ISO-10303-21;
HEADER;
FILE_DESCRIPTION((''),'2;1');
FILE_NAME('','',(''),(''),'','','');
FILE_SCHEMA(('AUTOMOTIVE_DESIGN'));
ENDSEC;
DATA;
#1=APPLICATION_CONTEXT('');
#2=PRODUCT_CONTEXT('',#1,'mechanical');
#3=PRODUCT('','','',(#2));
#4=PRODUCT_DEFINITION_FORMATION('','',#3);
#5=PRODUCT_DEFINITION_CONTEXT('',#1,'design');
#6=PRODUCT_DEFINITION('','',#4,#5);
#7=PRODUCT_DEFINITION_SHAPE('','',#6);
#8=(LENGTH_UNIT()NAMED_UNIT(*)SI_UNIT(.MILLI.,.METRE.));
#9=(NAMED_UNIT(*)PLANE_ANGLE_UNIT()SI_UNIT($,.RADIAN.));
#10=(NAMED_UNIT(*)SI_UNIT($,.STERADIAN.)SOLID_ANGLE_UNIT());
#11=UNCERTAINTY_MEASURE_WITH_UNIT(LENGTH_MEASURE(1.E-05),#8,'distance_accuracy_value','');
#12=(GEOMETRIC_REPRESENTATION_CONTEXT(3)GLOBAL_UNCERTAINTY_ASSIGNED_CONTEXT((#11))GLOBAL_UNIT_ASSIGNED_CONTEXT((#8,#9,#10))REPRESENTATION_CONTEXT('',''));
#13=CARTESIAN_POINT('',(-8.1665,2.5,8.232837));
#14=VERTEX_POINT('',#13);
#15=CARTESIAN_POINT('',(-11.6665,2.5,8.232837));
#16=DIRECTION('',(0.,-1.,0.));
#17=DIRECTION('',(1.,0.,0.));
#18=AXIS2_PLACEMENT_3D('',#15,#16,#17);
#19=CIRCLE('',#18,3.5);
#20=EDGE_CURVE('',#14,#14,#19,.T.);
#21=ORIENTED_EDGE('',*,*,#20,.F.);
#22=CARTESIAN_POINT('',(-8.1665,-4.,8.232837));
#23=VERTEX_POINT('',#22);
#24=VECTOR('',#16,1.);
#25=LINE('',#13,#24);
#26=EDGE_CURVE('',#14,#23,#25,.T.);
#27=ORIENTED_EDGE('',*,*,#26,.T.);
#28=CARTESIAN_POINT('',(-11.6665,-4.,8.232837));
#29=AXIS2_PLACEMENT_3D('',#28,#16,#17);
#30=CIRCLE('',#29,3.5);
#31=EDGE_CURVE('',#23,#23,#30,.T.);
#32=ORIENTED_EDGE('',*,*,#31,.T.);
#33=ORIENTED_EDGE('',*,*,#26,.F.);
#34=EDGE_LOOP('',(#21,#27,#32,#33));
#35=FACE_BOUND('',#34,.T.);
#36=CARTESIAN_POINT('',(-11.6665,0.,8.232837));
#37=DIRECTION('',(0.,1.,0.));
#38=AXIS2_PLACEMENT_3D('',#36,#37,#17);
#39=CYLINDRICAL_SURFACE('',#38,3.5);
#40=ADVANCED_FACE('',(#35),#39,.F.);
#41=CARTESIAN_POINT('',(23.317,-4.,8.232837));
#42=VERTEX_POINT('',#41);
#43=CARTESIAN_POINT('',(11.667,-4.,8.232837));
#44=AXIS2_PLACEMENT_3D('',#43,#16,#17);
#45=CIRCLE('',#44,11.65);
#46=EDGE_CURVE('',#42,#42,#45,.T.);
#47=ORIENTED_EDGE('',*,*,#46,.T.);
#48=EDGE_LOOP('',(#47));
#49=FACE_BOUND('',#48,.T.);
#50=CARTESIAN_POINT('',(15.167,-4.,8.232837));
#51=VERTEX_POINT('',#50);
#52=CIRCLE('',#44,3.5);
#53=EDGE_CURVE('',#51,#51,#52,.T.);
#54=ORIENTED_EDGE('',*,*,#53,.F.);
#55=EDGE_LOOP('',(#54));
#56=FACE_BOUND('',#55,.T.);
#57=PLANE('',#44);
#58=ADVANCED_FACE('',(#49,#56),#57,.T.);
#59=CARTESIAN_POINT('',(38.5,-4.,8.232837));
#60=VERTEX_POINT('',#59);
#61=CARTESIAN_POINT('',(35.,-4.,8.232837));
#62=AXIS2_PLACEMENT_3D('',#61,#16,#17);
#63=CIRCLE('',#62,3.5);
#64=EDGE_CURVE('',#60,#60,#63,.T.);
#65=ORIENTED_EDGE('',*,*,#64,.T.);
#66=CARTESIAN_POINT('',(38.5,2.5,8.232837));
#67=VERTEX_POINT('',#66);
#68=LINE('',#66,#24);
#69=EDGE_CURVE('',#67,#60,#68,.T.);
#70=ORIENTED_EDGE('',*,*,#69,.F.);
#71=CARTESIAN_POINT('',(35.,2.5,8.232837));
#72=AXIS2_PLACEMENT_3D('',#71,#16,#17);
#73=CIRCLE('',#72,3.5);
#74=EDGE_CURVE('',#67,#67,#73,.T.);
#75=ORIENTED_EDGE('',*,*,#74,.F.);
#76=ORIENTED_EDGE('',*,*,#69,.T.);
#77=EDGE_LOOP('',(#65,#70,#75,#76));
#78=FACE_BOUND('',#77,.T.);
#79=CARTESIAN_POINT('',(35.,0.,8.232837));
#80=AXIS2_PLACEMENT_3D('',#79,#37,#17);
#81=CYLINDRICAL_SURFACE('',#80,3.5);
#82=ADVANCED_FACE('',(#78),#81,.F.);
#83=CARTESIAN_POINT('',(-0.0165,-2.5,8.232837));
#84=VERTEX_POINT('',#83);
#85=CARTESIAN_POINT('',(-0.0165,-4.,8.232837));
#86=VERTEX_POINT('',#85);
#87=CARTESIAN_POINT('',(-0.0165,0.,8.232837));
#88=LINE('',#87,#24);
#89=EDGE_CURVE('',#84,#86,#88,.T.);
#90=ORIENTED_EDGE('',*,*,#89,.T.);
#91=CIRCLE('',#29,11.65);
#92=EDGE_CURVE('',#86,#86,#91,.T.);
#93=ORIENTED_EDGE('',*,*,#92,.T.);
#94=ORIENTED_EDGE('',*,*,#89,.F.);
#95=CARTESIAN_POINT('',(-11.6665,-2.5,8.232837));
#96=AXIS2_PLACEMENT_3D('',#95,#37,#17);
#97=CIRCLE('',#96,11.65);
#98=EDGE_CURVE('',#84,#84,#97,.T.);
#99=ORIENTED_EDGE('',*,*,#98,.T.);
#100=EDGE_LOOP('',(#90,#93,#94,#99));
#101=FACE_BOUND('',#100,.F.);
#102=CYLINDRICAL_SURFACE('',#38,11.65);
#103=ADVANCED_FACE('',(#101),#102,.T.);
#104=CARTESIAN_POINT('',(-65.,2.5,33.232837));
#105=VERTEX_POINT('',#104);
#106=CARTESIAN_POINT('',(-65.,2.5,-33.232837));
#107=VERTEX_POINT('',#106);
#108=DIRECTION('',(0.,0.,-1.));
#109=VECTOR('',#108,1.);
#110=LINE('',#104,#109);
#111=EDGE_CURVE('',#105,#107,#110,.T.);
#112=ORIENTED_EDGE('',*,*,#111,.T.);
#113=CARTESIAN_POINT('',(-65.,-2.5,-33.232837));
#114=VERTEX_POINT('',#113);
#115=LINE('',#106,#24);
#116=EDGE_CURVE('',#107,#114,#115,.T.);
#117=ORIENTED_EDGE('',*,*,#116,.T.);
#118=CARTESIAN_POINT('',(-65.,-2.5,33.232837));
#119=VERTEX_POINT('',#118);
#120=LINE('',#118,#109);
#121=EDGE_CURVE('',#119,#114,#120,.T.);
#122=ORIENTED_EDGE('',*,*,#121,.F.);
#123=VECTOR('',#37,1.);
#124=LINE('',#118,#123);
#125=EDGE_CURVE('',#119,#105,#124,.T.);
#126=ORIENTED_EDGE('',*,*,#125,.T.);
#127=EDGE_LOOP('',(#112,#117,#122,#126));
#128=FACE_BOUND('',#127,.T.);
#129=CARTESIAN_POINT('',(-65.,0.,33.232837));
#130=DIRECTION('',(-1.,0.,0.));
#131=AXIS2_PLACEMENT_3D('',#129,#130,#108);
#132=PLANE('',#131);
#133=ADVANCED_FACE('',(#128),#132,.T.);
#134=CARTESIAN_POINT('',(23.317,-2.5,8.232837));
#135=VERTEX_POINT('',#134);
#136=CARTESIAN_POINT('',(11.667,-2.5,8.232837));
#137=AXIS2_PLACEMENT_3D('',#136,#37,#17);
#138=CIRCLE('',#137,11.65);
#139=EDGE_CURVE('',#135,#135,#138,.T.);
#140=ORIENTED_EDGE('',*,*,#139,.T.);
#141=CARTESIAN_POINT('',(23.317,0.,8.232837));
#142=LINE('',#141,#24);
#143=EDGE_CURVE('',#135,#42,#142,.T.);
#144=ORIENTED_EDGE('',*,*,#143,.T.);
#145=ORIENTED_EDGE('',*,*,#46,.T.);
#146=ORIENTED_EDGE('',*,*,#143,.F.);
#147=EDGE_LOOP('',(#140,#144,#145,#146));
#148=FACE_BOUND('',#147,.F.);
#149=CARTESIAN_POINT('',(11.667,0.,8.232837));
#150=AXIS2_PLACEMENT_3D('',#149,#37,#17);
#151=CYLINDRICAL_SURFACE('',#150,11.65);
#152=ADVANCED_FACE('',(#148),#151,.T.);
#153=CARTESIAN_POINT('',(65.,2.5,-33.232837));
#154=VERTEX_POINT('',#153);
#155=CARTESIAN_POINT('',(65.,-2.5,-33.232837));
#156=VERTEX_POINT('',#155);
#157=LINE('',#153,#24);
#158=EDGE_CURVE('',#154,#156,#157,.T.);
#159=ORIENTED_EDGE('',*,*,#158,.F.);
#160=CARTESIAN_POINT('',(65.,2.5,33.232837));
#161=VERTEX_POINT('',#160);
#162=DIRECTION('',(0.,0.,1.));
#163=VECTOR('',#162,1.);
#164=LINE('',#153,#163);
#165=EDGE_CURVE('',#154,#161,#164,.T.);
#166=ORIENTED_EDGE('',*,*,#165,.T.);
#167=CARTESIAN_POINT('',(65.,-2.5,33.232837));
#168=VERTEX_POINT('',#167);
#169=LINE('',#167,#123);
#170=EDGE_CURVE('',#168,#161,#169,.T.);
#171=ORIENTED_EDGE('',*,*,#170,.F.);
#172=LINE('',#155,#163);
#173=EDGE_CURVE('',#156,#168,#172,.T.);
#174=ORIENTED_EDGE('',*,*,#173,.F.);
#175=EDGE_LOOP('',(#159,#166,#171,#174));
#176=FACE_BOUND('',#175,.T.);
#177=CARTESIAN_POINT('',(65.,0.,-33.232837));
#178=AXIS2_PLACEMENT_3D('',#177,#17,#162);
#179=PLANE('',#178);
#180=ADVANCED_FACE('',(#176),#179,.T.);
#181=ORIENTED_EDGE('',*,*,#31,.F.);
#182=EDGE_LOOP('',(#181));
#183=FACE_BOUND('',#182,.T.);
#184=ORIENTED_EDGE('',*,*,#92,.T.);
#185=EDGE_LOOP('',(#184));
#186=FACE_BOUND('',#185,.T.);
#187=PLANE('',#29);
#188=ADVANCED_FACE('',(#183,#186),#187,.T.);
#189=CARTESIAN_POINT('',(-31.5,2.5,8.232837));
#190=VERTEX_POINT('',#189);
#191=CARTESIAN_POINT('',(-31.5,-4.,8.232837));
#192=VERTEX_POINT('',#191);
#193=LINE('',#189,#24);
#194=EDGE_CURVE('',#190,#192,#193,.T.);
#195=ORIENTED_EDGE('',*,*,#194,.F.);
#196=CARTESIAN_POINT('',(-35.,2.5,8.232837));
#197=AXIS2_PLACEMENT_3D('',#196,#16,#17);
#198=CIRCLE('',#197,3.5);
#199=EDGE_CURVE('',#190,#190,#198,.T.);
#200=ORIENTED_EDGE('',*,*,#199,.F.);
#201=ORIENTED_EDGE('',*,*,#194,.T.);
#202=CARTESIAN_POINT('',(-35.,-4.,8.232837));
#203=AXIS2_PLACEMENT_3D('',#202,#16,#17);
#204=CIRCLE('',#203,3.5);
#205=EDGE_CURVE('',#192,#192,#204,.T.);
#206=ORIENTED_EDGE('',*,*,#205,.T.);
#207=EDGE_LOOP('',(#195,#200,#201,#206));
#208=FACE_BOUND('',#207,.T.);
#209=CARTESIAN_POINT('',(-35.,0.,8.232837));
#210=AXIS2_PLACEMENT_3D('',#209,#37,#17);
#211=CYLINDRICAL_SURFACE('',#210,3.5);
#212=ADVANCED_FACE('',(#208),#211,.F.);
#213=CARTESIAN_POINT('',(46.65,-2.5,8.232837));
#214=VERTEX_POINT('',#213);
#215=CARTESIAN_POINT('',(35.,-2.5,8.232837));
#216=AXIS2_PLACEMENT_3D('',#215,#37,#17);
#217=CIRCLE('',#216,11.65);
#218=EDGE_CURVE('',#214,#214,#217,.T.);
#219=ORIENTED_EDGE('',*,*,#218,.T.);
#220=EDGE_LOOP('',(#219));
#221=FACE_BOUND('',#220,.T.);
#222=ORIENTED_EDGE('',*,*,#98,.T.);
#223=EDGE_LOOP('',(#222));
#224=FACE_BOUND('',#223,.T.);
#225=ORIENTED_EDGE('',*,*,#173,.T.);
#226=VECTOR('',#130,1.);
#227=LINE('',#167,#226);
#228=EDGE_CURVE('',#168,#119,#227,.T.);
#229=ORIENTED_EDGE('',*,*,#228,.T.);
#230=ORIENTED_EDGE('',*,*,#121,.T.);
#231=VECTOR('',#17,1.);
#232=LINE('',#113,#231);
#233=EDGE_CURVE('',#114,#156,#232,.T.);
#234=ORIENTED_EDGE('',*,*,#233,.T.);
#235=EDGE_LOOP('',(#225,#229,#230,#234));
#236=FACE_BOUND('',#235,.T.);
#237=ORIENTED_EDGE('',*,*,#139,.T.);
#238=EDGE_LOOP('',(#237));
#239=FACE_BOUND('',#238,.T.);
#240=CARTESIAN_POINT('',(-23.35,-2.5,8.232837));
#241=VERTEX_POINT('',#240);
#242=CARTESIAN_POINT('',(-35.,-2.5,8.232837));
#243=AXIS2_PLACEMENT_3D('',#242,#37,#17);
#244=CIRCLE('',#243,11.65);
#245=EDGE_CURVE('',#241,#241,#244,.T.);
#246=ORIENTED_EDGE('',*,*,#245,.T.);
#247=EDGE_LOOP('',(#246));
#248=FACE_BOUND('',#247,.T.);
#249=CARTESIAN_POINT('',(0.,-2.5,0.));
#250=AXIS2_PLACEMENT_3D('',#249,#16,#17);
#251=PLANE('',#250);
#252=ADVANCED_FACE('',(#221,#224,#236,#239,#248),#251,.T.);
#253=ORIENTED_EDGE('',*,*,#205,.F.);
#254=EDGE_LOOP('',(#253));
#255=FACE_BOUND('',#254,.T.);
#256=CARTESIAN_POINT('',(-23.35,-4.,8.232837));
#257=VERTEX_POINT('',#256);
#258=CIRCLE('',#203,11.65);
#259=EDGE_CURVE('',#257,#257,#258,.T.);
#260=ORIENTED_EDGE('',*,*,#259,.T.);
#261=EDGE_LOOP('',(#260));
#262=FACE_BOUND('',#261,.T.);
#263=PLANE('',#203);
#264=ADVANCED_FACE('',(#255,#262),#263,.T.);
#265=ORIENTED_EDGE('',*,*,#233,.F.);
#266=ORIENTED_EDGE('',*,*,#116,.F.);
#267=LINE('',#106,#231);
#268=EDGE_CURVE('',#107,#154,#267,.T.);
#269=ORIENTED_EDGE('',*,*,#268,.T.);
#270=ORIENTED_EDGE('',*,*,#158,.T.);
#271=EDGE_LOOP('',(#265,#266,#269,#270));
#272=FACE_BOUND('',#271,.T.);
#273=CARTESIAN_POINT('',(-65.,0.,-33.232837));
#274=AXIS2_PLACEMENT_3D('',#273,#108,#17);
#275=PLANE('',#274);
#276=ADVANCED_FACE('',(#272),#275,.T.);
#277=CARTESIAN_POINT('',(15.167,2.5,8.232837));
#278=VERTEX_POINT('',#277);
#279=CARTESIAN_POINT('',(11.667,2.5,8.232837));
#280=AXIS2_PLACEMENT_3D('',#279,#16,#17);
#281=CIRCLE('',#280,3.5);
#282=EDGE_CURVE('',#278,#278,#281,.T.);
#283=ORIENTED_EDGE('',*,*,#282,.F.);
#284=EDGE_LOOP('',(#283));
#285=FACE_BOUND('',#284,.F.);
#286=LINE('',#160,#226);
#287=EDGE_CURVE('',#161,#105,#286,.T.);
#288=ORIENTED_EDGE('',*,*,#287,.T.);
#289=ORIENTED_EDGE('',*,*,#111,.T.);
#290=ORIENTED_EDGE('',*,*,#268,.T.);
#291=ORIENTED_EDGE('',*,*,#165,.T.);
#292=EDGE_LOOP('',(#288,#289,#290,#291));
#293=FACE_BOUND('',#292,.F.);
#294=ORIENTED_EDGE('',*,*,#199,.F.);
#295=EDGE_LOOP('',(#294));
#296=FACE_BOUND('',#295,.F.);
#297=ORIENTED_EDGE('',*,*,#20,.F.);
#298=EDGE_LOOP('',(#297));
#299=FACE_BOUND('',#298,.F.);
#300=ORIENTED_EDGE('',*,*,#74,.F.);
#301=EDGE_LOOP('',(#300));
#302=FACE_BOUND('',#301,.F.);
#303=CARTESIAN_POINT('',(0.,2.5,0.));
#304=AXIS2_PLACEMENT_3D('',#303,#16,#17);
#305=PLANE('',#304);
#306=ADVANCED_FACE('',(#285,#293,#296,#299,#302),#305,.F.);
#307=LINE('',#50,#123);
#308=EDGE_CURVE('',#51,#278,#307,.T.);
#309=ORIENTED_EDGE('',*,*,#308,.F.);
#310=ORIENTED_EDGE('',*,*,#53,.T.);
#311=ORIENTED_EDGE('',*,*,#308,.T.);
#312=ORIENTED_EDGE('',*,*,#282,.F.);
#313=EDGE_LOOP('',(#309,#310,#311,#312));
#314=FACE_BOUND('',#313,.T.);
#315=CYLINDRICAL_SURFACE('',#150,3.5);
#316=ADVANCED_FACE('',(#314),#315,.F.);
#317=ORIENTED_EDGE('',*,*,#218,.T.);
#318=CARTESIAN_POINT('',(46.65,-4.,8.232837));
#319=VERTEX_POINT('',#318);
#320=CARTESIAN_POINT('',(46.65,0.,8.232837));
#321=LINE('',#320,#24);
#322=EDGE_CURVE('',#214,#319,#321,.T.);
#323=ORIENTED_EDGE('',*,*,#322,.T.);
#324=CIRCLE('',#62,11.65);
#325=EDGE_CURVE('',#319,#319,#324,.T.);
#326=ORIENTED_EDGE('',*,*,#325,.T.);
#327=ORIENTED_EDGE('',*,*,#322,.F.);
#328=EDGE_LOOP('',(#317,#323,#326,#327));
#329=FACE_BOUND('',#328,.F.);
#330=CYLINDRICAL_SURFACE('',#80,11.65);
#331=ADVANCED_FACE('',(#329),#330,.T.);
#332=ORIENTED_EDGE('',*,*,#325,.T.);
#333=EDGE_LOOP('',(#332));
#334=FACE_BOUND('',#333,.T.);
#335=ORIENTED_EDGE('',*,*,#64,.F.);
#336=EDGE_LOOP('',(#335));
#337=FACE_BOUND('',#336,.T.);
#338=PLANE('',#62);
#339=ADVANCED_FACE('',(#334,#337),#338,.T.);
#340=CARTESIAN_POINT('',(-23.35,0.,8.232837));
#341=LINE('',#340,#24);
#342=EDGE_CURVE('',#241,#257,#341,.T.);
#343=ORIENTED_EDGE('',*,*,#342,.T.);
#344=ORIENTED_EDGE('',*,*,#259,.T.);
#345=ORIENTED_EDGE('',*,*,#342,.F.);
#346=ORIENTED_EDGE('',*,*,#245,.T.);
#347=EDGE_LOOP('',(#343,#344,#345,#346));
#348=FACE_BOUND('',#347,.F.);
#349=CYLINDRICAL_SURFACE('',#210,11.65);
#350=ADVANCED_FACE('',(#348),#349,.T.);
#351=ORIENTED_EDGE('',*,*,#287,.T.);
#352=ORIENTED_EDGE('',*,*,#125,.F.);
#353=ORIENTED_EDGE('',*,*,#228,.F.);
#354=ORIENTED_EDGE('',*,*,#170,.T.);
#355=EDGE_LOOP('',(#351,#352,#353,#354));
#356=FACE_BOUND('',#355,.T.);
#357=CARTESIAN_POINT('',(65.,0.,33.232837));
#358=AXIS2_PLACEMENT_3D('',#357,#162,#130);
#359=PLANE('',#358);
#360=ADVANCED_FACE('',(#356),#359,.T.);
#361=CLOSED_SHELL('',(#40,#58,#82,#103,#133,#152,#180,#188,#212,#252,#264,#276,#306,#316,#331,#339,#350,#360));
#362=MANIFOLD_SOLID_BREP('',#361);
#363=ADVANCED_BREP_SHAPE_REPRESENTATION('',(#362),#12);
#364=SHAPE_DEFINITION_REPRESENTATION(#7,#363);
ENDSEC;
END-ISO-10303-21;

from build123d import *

# Parameters (mm, degrees)
F0_R     = 11.65
F0_R_2   = 3.5
F1_DEPTH = 2.5
F2_DEPTH = 4
F3_DEPTH = 4
F4_DEPTH = 4
F5_DEPTH = 4
F6_DEPTH = 4


with BuildPart() as f1:
    # F0 (on Front) → F1 (new body, symmetric)
    with BuildSketch(Plane.XZ):
        Polygon((0, 33.2328369043), (-65, 33.2328369043), (-65, -33.2328369043), (65, -33.2328369043), (65, 33.2328369043), align=None)
        with Locations((-35, 8.2328369043)):
            Circle(F0_R, mode=Mode.SUBTRACT)
        with Locations((-11.6665, 8.2328369043)):
            Circle(F0_R, mode=Mode.SUBTRACT)
        with Locations((11.667, 8.2328369043)):
            Circle(F0_R, mode=Mode.SUBTRACT)
        with Locations((35, 8.2328369043)):
            Circle(F0_R, mode=Mode.SUBTRACT)
        with Locations((-11.6665, 8.2328369043)):
            Circle(F0_R)
        with Locations((-11.6665, 8.2328369043)):
            Circle(F0_R_2, mode=Mode.SUBTRACT)
        with Locations((11.667, 8.2328369043)):
            Circle(F0_R)
        with Locations((11.667, 8.2328369043)):
            Circle(F0_R_2, mode=Mode.SUBTRACT)
        with Locations((35, 8.2328369043)):
            Circle(F0_R)
        with Locations((35, 8.2328369043)):
            Circle(F0_R_2, mode=Mode.SUBTRACT)
        with Locations((-35, 8.2328369043)):
            Circle(F0_R)
        with Locations((-35, 8.2328369043)):
            Circle(F0_R_2, mode=Mode.SUBTRACT)
    extrude(amount=F1_DEPTH, both=True)

    # F0 (on Front) → F2 (join)
    with BuildSketch(Plane.XZ):
        with Locations((35, 8.2328369043)):
            Circle(F0_R)
        with Locations((35, 8.2328369043)):
            Circle(F0_R_2, mode=Mode.SUBTRACT)
    extrude(amount=F2_DEPTH)

    # F0 (on Front) → F3 (join)
    with BuildSketch(Plane.XZ):
        with Locations((-35, 8.2328369043)):
            Circle(F0_R)
        with Locations((-35, 8.2328369043)):
            Circle(F0_R_2, mode=Mode.SUBTRACT)
    extrude(amount=F3_DEPTH)

    # F0 (on Front) → F4 (join)
    with BuildSketch(Plane.XZ):
        with Locations((-11.6665, 8.2328369043)):
            Circle(F0_R)
        with Locations((-11.6665, 8.2328369043)):
            Circle(F0_R_2, mode=Mode.SUBTRACT)
    extrude(amount=F4_DEPTH)

    # F0 (on Front) → F5 (join)
    with BuildSketch(Plane.XZ):
        with Locations((11.667, 8.2328369043)):
            Circle(F0_R)
        with Locations((11.667, 8.2328369043)):
            Circle(F0_R_2, mode=Mode.SUBTRACT)
    extrude(amount=F5_DEPTH)

    # F0 (on Front) → F6 (join)
    with BuildSketch(Plane.XZ):
        with Locations((11.667, 8.2328369043)):
            Circle(F0_R)
        with Locations((11.667, 8.2328369043)):
            Circle(F0_R_2, mode=Mode.SUBTRACT)
    extrude(amount=F6_DEPTH)


solid = f1.part
